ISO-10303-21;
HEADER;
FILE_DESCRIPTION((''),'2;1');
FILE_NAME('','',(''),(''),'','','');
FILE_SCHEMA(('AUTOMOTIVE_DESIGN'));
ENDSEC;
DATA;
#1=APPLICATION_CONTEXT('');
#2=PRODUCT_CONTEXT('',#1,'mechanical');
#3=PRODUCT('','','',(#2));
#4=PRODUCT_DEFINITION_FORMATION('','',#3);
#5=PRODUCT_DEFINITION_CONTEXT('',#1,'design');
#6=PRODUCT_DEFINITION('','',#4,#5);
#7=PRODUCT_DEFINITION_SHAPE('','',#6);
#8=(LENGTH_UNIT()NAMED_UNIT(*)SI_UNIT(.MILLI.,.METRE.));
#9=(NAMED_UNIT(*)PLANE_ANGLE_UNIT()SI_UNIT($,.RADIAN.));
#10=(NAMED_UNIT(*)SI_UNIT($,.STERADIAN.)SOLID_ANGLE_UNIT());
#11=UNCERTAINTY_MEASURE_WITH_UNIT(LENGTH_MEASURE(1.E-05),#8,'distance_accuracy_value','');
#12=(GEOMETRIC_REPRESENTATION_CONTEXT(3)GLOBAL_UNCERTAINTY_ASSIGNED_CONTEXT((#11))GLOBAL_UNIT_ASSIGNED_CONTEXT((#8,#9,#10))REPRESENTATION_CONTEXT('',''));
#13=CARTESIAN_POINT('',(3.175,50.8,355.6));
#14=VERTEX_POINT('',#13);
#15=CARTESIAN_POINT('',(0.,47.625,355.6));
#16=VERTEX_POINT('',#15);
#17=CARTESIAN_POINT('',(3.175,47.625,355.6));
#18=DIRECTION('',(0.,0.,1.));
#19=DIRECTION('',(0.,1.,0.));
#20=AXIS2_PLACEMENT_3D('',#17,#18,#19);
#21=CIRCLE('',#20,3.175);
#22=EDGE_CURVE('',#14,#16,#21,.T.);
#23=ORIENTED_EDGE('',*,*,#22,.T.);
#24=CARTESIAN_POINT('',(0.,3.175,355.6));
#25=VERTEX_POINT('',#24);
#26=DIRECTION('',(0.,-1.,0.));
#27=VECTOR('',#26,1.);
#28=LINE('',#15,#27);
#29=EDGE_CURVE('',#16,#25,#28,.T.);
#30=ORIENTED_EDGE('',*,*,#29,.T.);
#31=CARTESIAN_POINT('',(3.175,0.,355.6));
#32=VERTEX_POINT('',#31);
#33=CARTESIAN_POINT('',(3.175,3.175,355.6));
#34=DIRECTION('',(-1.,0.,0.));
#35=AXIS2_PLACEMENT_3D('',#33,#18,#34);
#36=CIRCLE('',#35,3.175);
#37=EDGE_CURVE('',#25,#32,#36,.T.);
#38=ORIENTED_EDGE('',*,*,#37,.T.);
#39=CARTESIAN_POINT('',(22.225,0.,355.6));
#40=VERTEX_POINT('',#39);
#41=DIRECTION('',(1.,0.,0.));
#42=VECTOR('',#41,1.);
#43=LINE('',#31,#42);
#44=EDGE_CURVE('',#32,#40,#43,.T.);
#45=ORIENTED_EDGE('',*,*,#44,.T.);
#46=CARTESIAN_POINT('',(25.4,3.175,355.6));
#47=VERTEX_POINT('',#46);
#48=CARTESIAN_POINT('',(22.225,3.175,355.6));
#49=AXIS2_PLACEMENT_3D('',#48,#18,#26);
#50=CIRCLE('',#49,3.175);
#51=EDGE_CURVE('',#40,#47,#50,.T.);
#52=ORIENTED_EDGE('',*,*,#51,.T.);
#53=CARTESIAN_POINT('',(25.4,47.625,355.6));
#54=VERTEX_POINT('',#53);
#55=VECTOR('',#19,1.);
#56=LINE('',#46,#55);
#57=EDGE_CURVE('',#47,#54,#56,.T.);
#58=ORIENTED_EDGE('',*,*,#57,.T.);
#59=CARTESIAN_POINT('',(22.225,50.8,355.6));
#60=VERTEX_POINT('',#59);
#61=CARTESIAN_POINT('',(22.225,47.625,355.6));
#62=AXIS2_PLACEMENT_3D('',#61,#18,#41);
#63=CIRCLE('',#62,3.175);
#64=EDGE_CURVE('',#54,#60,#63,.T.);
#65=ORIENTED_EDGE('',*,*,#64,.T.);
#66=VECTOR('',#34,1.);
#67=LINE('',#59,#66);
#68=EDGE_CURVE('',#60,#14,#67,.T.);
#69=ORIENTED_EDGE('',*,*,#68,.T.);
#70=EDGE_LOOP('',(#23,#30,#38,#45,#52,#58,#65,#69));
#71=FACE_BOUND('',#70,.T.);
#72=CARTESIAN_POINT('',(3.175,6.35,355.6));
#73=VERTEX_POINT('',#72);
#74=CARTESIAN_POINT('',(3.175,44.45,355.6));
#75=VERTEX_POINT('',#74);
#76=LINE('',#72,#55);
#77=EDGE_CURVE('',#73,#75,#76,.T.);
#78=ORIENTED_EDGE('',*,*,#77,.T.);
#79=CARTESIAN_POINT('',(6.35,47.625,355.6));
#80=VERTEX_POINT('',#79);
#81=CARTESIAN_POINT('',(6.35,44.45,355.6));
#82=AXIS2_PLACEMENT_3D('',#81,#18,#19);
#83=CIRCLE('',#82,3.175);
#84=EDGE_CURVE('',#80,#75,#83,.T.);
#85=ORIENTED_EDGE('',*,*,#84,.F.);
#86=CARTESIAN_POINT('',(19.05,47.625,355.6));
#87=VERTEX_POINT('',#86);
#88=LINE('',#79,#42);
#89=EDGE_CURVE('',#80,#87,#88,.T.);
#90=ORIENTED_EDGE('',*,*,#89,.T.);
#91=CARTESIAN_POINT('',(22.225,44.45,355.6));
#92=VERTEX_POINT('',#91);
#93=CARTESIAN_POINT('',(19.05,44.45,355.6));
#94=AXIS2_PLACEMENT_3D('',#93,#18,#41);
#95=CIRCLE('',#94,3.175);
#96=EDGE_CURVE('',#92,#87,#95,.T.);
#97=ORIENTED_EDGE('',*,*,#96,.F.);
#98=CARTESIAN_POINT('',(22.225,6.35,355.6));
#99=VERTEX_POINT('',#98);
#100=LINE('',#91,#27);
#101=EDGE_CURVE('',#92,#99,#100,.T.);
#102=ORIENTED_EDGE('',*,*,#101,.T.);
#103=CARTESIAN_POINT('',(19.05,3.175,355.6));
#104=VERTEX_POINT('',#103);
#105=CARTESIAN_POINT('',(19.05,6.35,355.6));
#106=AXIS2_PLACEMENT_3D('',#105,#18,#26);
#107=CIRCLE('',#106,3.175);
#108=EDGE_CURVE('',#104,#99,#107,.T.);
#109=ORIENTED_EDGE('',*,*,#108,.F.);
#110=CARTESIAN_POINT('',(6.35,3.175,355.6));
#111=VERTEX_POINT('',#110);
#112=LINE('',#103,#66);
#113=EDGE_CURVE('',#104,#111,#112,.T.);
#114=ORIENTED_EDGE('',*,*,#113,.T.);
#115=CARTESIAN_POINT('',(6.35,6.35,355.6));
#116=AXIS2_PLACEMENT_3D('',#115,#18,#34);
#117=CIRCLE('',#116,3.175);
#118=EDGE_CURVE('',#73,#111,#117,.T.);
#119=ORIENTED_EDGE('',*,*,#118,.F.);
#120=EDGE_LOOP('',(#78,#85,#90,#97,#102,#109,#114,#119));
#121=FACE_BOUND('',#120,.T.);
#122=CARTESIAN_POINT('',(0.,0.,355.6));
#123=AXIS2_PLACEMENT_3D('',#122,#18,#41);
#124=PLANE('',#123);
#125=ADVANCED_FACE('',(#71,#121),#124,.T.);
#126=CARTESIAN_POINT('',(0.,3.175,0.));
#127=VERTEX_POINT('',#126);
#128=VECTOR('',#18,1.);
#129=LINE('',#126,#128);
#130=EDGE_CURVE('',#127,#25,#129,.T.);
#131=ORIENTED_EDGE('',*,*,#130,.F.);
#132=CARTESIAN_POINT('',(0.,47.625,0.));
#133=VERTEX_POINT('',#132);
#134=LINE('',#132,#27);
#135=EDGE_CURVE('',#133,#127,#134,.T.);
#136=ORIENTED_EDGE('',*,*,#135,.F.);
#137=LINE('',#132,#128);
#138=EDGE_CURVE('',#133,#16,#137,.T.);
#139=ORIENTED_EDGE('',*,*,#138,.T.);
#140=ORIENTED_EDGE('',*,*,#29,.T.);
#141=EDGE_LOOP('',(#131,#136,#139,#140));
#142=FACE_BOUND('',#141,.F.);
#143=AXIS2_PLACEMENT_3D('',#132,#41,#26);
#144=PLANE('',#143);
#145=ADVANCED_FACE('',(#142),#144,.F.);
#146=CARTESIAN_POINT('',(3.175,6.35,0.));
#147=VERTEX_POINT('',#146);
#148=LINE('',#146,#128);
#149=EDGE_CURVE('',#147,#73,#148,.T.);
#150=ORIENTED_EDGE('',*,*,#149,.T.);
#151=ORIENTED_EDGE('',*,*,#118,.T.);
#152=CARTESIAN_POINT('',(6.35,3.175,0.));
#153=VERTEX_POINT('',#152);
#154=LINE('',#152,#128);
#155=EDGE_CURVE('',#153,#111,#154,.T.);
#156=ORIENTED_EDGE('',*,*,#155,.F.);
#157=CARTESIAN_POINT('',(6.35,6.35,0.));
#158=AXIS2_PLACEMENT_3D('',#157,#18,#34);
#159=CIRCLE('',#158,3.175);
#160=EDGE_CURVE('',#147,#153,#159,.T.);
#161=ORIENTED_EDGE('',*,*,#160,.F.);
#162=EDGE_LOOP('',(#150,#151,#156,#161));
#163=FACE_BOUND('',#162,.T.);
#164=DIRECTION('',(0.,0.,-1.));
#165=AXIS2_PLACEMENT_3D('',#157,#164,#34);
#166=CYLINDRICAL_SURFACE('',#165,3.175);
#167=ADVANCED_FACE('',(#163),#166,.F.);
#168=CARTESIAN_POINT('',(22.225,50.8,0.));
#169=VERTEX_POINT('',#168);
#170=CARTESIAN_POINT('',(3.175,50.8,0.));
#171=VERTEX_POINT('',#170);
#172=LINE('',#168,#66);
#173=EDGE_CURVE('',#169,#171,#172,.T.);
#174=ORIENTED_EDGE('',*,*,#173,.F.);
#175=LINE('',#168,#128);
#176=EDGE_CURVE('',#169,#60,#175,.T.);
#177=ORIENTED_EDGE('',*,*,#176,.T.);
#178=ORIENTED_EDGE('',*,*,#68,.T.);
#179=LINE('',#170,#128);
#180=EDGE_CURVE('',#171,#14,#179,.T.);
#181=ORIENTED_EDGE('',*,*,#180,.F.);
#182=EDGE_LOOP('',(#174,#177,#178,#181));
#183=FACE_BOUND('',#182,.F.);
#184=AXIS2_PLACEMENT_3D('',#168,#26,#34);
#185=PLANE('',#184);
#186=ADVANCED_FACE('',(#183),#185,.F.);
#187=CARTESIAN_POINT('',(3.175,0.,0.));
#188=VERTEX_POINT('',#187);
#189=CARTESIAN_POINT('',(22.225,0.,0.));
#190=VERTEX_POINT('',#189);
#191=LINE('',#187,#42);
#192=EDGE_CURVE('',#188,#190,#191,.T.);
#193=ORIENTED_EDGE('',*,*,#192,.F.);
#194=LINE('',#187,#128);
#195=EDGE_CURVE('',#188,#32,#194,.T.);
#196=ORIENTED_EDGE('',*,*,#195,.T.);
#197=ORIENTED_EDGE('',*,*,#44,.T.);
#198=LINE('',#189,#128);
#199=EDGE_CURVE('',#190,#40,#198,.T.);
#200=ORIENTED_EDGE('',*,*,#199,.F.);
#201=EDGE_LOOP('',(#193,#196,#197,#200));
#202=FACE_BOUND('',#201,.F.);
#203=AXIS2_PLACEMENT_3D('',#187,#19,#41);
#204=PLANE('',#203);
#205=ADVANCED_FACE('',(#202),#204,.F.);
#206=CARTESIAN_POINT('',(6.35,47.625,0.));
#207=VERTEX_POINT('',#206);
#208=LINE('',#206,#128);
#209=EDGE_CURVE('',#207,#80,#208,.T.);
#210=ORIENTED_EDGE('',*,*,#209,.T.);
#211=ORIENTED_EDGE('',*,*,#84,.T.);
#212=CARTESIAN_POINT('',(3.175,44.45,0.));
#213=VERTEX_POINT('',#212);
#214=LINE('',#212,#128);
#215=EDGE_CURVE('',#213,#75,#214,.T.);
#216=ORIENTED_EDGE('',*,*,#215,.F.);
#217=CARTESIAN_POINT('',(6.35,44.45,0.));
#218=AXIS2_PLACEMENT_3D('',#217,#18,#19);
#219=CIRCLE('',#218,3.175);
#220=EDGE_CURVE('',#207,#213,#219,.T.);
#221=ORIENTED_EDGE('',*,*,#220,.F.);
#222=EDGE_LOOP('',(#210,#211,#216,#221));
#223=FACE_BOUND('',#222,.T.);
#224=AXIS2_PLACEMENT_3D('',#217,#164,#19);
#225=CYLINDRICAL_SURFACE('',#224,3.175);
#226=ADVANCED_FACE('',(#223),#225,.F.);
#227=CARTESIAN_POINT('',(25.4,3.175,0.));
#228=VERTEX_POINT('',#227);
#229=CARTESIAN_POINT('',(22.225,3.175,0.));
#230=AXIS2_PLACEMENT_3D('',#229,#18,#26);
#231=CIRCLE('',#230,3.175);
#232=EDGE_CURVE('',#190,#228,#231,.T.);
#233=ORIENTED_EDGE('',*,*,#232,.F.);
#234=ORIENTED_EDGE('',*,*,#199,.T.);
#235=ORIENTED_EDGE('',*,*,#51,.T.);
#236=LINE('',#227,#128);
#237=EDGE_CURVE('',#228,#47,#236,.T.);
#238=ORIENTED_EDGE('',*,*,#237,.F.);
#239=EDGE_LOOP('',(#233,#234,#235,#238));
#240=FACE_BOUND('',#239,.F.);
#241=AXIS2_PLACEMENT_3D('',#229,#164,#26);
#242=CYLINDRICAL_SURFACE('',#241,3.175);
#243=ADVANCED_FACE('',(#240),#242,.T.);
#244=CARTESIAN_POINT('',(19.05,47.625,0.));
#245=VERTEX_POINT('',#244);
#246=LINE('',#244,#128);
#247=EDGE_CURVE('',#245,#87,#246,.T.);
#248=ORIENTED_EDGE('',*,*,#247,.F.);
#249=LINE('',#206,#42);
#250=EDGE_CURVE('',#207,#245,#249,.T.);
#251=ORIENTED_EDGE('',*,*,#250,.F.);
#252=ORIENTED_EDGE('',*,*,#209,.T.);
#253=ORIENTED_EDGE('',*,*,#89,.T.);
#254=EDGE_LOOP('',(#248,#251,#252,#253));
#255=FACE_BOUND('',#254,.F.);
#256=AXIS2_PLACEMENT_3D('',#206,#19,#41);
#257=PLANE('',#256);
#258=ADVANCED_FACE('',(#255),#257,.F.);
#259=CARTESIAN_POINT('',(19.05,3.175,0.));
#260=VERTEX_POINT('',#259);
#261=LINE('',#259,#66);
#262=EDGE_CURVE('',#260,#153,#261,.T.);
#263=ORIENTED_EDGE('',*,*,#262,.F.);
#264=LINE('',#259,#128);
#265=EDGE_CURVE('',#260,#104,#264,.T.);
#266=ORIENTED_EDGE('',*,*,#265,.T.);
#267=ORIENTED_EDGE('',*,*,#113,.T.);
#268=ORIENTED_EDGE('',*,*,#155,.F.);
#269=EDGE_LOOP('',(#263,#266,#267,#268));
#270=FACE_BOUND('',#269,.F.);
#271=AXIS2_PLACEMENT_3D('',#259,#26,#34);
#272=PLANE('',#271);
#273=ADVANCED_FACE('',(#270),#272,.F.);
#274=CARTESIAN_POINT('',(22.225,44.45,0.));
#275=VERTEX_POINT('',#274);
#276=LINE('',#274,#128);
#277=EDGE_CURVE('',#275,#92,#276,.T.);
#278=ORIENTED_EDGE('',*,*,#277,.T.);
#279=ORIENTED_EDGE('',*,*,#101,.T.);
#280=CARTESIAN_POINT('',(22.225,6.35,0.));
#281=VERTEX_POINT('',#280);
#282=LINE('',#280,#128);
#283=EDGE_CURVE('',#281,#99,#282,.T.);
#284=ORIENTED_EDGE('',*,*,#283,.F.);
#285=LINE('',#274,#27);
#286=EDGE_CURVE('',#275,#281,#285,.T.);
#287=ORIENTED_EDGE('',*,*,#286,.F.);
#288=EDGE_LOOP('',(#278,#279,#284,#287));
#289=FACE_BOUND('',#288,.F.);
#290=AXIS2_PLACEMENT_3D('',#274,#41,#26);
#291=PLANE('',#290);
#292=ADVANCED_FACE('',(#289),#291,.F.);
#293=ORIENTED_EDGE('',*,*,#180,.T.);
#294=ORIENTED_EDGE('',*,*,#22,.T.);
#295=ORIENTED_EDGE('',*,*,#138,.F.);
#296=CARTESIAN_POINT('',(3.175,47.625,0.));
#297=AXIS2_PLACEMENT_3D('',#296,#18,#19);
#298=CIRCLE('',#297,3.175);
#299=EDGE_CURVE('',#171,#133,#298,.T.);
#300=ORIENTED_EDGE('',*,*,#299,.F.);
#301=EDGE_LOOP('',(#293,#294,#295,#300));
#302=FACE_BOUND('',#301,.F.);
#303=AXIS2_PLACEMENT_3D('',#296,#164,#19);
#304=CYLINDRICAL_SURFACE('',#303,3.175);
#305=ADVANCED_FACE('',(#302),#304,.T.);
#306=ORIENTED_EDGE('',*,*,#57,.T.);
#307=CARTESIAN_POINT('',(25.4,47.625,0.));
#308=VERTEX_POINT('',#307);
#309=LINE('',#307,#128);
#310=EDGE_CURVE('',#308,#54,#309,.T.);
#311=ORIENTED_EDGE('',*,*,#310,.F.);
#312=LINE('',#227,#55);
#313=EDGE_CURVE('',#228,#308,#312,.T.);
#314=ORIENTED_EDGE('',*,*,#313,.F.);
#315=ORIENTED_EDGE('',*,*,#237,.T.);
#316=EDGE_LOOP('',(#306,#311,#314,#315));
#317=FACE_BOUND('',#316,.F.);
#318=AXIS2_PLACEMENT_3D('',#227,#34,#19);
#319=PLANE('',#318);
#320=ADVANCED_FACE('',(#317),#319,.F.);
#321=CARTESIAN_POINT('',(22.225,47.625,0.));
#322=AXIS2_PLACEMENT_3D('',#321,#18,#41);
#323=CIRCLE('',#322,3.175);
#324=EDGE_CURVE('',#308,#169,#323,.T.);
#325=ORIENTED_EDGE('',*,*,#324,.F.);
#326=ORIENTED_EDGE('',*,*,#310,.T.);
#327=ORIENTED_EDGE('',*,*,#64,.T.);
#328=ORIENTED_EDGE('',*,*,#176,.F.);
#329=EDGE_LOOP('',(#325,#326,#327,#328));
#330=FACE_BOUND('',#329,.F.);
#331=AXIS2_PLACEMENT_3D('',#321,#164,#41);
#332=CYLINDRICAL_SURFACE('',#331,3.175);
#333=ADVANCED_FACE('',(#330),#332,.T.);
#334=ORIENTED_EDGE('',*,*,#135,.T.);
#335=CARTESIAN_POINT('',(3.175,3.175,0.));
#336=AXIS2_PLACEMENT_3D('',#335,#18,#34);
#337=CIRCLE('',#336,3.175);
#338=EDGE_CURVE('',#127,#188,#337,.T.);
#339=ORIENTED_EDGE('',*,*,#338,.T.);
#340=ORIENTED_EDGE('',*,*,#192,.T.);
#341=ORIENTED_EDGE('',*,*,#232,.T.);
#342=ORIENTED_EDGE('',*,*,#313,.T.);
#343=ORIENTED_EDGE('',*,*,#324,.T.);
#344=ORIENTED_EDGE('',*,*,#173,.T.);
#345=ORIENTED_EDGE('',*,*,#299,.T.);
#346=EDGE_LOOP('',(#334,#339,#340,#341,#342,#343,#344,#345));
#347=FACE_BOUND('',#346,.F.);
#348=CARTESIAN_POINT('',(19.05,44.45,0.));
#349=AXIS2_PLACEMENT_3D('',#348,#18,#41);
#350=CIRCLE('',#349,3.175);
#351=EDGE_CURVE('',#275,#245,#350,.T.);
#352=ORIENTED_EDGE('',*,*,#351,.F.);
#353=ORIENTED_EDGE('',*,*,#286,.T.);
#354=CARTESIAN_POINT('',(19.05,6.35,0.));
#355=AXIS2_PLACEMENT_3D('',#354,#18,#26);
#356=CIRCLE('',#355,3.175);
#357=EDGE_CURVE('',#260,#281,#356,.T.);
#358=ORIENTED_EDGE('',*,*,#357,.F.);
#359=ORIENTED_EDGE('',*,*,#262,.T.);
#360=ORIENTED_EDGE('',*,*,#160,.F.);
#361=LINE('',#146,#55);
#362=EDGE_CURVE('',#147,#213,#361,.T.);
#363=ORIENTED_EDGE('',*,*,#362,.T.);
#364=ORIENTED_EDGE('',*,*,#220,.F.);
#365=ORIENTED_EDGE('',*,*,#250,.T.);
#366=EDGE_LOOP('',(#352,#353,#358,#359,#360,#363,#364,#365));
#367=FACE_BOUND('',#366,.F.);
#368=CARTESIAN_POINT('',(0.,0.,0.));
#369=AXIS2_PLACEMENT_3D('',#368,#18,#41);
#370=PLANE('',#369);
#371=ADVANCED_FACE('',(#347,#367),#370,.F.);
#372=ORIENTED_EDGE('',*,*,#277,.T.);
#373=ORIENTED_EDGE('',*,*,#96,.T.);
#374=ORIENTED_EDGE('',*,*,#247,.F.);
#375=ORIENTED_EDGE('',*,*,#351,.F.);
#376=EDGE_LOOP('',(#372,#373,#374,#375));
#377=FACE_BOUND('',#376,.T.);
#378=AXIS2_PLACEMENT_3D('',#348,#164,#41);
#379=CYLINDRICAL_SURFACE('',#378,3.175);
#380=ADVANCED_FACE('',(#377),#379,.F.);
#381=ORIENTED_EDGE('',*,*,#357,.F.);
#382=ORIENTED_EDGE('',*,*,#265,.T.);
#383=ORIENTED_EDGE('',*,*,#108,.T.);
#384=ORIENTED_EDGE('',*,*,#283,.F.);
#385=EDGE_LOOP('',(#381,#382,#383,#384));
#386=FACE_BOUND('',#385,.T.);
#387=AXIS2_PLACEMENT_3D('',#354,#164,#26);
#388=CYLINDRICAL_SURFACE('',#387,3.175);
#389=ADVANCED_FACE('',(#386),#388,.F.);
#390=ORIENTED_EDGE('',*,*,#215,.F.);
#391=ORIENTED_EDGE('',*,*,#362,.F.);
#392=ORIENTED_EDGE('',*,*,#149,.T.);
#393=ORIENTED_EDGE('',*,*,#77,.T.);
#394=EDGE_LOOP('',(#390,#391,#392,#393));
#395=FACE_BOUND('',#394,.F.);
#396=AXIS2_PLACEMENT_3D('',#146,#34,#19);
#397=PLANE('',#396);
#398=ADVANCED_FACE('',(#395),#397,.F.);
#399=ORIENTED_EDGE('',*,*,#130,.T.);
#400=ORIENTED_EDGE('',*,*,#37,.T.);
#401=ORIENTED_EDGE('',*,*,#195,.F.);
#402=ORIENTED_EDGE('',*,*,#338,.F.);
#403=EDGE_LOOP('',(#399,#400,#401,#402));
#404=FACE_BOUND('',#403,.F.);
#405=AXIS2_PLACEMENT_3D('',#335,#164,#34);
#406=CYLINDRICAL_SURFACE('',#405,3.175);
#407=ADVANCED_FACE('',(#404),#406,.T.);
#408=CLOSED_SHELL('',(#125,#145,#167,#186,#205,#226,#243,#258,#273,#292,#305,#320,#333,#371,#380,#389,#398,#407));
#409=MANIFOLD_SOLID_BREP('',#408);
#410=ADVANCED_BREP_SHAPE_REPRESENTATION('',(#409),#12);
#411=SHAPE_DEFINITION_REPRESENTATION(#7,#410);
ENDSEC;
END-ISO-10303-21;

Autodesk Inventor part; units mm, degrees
ref_plane "YZ Plane" through (0, 0, 0) normal (1, 0, 0) x (0, 1, 0)
ref_plane "XZ Plane" through (0, 0, 0) normal (0, 1, 0) x (-1, 0, 0)
ref_plane "XY Plane" through (0, 0, 0) normal (0, 0, 1) x (1, 0, 0)
sketch "Sketch1" plane through (0, 0, 0) normal (0, 0, 1) x (1, 0, 0)
  line L0 (3.175, 0) -> (22.225, 0)
  line L1 (25.4, 3.175) -> (25.4, 47.625)
  line L2 (22.225, 50.8) -> (3.175, 50.8)
  line L3 (0, 47.625) -> (0, 3.175)
  arc A0 (3.175, 50.8) -> (0, 47.625) centre (3.175, 47.625) ccw
  arc A1 (25.4, 47.625) -> (22.225, 50.8) centre (22.225, 47.625) ccw
  arc A2 (22.225, 0) -> (25.4, 3.175) centre (22.225, 3.175) ccw
  arc A3 (0, 3.175) -> (3.175, 0) centre (3.175, 3.175) ccw
  line L4 (6.35, 47.625) -> (19.05, 47.625)
  line L5 (22.225, 44.45) -> (22.225, 6.35)
  line L6 (19.05, 3.175) -> (6.35, 3.175)
  line L7 (3.175, 6.35) -> (3.175, 44.45)
  arc A4 (6.35, 47.625) -> (3.175, 44.45) centre (6.35, 44.45) ccw
  arc A5 (22.225, 44.45) -> (19.05, 47.625) centre (19.05, 44.45) ccw
  arc A6 (3.175, 6.35) -> (6.35, 3.175) centre (6.35, 6.35) ccw
  arc A7 (19.05, 3.175) -> (22.225, 6.35) centre (19.05, 6.35) ccw
  point P0 (0, 0)
  point P1 (25.4, 0)
  point P2 (0, 50.8)
  dimension "d0" = 50.8
  dimension "d1" = 25.4
  dimension "d2" = 3.175
  dimension "d3" = 3.175
  dimension "d4" = 3.175
  dimension "d5" = 3.175
  dimension "d6" = 3.175
  dimension "d7" = 3.175
  dimension "d8" = 3.175
  dimension "d9" = 3.175
  dimension "d10" = 3.175
extrude "Extrusion1" add sketch "Sketch1" along normal blind 355.6
properties part number "O channel 14 inch"
